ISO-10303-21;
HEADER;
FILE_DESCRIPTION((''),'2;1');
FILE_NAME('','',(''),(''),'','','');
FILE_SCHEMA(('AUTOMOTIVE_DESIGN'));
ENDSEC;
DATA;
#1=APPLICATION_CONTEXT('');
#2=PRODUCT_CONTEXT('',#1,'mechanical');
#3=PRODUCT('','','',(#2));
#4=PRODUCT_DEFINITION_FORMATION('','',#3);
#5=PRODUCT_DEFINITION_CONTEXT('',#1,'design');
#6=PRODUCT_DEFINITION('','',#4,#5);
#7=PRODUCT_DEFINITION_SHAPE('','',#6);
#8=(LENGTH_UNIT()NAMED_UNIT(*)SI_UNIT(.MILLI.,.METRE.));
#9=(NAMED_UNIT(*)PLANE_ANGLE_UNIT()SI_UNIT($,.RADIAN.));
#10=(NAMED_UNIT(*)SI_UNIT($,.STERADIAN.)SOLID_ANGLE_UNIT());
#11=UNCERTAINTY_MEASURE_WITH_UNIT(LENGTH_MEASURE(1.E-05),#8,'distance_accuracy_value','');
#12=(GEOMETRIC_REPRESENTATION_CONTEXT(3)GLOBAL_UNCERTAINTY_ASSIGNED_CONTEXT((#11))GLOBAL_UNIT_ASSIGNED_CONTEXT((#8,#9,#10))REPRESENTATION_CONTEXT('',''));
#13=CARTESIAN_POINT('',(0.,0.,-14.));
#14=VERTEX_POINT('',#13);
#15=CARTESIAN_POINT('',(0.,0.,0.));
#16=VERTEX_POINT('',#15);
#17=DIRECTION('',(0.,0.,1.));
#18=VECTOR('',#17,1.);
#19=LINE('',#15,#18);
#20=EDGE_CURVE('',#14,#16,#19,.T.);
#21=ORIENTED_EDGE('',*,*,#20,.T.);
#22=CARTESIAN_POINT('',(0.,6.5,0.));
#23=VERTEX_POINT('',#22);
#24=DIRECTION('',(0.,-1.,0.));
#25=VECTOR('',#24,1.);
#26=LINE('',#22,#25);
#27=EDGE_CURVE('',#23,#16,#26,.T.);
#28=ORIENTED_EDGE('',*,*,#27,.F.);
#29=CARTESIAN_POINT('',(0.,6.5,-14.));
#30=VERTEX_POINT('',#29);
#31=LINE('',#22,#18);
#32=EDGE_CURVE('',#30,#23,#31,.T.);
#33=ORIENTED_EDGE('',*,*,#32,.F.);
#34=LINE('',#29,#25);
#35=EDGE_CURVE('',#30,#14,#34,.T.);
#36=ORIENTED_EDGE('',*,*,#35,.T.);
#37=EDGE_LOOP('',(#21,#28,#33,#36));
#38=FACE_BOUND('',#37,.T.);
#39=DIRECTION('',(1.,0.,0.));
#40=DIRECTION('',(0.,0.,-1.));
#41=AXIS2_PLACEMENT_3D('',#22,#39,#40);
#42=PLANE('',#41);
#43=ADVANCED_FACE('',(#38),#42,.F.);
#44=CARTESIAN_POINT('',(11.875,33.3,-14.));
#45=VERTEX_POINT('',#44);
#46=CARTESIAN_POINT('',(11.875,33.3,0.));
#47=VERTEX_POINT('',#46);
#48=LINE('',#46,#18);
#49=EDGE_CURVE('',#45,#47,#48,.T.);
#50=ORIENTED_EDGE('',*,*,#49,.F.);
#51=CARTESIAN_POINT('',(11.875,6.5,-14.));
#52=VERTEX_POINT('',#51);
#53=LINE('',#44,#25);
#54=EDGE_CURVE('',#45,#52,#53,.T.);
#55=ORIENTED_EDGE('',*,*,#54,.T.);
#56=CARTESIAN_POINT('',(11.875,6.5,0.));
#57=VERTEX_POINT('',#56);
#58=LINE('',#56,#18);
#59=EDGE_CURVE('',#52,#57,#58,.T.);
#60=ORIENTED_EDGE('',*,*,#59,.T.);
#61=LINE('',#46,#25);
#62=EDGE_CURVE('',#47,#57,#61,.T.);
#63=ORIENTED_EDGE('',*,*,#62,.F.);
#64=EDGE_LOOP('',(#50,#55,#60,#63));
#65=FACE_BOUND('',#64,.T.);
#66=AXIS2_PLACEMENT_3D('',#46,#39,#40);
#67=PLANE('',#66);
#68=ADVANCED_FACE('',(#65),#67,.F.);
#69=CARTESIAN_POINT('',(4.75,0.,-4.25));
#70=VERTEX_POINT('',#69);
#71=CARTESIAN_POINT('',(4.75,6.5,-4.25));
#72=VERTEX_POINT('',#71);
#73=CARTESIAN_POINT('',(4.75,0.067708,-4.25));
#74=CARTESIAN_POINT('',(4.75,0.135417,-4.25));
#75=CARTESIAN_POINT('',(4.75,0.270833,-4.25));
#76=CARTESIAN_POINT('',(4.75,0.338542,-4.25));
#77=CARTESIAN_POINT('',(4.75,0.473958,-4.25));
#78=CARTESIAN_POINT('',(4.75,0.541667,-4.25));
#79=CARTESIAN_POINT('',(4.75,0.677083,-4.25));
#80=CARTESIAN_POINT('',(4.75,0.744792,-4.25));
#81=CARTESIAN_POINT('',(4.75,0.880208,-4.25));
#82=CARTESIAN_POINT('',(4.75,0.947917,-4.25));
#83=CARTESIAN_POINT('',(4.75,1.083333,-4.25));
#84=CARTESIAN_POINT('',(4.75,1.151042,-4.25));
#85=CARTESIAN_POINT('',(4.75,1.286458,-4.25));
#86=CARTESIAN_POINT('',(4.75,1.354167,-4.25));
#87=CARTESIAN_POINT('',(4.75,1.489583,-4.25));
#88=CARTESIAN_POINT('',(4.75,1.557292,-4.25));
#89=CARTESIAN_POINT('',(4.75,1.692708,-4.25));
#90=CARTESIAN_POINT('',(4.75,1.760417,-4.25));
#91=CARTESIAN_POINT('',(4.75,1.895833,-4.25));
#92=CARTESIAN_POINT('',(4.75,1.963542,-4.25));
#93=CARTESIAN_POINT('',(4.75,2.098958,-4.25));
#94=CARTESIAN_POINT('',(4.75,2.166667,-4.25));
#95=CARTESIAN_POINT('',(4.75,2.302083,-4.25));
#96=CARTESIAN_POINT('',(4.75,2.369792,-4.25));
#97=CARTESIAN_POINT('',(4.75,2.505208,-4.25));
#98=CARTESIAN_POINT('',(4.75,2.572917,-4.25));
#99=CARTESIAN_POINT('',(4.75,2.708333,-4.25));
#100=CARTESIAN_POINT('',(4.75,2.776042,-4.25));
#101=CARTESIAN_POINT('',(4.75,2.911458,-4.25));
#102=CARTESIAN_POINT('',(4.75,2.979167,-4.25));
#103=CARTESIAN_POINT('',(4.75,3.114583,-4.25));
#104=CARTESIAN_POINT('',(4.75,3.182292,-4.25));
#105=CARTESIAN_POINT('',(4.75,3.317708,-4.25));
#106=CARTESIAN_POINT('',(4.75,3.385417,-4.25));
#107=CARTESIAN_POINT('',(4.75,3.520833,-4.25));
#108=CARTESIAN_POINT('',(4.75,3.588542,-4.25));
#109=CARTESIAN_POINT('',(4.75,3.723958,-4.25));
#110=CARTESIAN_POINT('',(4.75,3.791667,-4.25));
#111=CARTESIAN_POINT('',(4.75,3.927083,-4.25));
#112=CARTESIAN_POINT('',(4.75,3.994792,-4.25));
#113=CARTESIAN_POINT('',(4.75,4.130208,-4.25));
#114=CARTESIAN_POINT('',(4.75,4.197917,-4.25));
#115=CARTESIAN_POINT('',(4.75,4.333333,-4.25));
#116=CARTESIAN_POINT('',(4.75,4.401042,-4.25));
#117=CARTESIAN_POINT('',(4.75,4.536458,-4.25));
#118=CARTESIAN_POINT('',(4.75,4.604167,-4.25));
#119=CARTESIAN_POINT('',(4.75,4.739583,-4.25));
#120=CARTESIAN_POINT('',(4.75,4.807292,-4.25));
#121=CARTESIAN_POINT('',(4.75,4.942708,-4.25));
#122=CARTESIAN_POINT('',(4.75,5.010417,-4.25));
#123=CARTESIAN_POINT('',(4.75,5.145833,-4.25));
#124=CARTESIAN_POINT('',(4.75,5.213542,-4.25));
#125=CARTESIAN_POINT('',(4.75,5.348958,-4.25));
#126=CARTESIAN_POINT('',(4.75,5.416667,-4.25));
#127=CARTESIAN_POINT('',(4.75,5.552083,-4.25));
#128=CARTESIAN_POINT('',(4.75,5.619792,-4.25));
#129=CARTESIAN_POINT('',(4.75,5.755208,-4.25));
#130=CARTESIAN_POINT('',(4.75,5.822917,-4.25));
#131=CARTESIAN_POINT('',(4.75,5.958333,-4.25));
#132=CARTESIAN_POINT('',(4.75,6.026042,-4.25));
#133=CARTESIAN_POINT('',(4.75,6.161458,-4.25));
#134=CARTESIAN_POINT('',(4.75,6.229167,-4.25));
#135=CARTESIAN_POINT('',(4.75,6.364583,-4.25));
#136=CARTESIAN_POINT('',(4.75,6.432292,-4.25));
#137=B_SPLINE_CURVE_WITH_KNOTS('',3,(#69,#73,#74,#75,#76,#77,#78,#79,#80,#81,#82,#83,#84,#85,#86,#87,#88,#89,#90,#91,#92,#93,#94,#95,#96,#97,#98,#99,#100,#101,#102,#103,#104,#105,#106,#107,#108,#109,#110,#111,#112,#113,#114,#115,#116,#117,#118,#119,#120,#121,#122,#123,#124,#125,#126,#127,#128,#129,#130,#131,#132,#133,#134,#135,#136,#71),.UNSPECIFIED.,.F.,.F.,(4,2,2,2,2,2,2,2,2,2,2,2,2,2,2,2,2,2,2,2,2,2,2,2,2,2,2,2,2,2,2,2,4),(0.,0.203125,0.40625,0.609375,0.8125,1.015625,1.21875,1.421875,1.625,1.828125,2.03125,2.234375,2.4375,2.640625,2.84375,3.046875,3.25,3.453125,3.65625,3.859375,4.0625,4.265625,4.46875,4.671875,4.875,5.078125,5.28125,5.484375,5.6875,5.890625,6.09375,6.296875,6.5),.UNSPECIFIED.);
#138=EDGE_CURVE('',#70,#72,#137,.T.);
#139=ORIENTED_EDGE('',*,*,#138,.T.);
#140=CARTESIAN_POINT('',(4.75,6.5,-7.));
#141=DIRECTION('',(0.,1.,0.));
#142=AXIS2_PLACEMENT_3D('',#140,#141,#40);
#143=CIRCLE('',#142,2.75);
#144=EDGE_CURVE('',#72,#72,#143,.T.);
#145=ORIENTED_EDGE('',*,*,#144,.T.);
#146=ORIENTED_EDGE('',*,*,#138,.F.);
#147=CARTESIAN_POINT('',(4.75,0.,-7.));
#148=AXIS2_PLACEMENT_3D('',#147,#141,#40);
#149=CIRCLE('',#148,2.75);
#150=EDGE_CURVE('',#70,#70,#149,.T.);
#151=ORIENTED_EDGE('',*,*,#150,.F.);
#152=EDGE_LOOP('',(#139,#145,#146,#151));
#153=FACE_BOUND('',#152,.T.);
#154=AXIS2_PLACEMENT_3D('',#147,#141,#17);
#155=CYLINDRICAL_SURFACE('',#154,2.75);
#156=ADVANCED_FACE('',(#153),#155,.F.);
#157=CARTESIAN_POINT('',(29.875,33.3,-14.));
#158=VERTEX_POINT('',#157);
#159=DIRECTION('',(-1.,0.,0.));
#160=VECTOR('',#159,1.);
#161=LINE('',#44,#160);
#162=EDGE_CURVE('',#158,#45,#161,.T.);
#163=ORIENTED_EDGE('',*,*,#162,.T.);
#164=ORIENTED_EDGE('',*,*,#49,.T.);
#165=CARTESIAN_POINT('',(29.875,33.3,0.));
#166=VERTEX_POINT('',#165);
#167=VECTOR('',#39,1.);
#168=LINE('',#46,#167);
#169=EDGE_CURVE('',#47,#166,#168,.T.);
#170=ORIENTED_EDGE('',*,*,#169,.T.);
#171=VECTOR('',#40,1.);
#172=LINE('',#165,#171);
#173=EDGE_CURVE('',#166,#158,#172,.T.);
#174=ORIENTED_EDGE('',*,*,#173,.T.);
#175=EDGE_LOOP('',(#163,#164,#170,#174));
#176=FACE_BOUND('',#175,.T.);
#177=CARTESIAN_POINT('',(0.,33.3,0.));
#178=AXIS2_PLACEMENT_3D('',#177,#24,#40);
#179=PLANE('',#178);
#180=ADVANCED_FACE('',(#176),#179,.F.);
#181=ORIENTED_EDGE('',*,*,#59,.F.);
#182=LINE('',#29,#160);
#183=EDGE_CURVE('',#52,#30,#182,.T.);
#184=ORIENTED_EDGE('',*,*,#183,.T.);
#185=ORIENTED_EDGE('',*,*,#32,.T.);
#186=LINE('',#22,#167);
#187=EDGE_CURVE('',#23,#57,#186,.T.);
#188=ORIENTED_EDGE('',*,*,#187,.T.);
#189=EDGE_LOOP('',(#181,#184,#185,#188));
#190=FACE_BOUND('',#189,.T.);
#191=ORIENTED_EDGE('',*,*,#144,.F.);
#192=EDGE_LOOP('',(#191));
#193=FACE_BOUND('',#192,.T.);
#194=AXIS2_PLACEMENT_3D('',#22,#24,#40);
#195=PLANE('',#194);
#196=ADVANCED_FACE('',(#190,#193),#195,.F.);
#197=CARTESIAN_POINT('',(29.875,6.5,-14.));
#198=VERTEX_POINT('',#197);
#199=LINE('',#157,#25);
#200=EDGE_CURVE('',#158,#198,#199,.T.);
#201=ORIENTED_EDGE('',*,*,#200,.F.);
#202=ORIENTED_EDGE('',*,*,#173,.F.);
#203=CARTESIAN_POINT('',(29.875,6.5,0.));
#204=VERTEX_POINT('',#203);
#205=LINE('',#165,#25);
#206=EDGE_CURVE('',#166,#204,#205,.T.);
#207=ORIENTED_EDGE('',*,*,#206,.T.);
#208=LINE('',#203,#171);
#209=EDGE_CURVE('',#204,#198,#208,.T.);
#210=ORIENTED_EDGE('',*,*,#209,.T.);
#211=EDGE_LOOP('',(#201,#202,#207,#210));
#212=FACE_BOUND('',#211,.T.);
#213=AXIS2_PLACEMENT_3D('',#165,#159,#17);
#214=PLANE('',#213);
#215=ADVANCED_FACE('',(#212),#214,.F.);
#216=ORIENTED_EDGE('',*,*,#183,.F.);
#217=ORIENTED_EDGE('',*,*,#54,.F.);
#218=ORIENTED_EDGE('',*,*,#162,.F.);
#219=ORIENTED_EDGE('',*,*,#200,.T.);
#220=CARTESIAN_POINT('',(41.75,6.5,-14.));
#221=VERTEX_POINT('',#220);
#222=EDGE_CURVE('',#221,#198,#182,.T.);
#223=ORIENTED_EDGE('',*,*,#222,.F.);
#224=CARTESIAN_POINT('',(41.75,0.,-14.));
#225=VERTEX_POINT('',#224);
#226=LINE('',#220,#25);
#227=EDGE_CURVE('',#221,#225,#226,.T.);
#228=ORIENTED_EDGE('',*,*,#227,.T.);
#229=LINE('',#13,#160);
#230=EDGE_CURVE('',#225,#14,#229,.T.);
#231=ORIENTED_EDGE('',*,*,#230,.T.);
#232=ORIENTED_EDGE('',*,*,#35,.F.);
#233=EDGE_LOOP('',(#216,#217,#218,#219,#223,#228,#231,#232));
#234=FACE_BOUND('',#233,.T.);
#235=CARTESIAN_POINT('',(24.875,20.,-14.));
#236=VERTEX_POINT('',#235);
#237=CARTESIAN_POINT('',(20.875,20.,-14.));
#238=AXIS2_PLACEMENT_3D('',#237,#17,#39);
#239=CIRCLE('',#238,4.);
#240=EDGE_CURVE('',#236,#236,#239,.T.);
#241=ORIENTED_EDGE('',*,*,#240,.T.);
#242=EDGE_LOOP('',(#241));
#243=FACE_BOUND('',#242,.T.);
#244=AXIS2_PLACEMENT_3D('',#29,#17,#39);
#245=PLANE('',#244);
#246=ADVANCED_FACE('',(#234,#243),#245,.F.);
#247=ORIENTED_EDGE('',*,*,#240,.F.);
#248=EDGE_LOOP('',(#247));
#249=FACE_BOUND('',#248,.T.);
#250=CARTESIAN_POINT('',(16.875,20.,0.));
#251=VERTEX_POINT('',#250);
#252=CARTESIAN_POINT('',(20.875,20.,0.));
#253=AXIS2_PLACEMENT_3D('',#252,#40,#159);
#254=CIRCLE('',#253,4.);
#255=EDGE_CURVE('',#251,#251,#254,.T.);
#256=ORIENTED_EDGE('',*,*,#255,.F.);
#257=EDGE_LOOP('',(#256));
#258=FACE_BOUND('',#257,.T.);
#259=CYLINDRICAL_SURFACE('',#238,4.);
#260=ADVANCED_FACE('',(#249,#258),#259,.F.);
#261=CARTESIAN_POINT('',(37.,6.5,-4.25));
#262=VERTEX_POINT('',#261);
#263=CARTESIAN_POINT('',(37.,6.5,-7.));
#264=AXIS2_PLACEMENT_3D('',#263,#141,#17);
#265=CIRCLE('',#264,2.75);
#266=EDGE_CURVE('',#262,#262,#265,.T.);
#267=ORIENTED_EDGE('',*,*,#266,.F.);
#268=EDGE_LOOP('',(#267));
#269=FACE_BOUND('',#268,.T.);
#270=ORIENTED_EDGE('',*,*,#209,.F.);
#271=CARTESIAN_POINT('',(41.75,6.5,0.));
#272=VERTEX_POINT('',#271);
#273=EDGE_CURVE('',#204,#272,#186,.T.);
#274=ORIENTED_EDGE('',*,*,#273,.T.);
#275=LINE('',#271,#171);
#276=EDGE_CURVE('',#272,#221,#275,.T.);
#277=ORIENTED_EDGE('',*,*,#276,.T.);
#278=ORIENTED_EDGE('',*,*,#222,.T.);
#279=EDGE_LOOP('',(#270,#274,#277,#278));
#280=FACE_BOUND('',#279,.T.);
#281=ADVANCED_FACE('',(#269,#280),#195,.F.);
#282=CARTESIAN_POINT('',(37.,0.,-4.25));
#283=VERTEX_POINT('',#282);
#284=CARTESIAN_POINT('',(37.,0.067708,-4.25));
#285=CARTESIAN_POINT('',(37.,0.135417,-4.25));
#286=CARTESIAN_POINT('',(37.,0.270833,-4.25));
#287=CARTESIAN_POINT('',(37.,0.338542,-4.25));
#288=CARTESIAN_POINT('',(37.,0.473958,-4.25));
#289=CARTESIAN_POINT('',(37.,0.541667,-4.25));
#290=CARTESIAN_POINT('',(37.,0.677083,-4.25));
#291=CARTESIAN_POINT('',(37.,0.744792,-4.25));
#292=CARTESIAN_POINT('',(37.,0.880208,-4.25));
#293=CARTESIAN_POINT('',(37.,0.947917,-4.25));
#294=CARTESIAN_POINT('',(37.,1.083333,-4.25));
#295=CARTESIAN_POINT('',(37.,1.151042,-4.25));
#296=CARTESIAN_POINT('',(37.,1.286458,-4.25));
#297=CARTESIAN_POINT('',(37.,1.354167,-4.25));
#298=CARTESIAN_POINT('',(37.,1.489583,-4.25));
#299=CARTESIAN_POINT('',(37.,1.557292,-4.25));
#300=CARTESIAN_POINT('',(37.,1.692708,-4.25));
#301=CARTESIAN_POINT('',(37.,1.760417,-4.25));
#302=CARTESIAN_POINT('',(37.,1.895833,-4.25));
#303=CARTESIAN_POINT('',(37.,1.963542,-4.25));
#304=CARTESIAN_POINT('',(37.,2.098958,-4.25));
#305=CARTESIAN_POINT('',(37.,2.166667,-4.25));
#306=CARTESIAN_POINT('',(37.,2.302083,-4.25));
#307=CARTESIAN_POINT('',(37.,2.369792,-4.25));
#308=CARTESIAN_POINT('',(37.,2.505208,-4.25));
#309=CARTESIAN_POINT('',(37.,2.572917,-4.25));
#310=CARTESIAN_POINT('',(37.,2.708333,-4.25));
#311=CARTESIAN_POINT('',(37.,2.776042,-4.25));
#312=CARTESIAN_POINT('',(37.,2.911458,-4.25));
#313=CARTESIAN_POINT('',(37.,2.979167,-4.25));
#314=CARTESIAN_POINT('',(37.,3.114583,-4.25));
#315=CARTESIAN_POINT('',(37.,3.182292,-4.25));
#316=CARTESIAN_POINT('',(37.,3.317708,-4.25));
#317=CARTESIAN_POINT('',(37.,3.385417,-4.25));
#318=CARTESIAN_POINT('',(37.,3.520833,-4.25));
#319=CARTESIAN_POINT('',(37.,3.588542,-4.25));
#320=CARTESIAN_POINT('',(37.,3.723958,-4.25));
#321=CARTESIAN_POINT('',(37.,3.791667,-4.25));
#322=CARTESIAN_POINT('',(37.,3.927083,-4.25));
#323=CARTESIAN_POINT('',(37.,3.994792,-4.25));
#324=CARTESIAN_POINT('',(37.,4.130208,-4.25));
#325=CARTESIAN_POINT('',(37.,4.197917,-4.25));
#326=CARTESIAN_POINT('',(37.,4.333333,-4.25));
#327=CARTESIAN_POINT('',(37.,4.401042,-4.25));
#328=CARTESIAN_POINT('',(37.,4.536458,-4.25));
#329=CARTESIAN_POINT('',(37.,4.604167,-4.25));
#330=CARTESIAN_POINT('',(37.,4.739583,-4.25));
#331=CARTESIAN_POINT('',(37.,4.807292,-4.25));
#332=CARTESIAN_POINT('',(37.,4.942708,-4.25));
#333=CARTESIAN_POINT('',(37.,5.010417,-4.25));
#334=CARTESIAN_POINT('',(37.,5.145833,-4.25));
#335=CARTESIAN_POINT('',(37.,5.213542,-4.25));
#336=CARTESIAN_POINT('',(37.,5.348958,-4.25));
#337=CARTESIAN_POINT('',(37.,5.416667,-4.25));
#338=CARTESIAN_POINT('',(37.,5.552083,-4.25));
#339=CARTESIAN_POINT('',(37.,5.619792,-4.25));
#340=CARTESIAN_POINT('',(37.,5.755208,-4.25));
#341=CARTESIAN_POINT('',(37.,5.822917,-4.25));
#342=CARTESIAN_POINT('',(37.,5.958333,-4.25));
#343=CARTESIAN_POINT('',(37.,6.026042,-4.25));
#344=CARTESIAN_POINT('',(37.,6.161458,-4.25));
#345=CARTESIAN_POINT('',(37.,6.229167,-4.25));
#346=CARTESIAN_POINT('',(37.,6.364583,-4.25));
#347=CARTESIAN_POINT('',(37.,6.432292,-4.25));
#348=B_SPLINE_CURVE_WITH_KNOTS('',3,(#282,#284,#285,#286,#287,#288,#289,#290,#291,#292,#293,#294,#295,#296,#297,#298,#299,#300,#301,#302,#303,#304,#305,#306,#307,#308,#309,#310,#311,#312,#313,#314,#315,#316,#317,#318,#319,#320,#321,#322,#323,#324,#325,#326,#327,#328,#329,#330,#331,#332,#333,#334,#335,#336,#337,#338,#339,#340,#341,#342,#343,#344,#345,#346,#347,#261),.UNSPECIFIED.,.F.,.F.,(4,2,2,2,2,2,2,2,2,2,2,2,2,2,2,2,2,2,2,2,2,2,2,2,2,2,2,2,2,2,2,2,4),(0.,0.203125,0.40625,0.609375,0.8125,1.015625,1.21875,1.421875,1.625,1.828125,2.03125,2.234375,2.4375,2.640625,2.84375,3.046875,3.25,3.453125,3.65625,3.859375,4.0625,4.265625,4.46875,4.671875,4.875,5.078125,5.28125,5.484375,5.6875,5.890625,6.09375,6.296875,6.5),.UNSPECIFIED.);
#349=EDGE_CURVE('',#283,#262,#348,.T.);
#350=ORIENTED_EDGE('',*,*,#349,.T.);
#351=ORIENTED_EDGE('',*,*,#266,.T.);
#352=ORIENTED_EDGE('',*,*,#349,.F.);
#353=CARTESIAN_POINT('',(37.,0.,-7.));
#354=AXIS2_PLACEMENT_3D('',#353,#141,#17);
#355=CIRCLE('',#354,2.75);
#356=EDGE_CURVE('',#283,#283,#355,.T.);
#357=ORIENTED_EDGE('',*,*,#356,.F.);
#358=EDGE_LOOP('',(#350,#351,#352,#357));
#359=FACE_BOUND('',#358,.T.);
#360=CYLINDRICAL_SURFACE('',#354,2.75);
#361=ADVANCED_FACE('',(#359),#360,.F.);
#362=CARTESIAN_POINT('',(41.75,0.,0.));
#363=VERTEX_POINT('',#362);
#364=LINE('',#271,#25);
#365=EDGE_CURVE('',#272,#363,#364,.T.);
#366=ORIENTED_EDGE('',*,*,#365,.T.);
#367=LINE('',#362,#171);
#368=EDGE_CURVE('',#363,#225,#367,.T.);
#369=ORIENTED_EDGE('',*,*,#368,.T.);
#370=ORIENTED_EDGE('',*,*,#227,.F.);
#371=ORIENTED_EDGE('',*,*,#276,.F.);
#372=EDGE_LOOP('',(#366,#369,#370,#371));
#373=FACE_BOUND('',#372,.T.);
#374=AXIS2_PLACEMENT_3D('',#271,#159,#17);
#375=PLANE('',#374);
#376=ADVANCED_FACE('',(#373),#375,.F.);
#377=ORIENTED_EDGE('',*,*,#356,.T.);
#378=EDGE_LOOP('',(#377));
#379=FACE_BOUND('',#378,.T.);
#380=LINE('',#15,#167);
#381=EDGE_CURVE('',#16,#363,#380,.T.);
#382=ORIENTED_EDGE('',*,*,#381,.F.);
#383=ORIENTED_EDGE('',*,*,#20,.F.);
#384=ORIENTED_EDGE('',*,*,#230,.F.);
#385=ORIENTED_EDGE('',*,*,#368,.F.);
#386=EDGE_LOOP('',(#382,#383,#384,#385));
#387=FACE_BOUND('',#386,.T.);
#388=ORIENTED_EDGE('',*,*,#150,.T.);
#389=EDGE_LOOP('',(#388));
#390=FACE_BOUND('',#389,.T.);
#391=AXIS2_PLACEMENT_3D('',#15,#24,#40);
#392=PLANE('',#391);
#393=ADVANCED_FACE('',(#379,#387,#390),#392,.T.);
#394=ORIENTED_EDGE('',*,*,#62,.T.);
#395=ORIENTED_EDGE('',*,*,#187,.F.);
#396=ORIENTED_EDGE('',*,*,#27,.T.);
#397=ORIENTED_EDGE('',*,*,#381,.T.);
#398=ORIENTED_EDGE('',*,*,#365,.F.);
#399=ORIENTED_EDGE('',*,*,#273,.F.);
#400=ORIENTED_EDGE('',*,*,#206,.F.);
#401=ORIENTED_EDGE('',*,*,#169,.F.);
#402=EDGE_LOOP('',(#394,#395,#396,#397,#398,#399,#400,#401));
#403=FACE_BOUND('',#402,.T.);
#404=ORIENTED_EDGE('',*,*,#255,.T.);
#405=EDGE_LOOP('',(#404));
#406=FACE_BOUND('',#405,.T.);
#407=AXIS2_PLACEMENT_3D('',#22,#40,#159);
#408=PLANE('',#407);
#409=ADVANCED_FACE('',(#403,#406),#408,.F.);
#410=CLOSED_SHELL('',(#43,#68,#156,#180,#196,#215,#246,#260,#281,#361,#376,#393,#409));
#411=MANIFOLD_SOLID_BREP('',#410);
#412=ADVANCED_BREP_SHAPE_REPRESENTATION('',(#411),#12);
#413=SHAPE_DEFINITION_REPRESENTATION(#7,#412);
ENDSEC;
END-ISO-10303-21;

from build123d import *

# Parameters (mm, degrees)
SKETCH1_W               = 41.75
SKETCH1_H               = 14
BOSS_EXTRUDE1_DEPTH     = 6.5
SKETCH2_W               = 18
SKETCH2_H               = 14
BOSS_EXTRUDE2_DEPTH     = 26.8
CUT_EXTRUDE1_DEPTH      = 56.20826478
CUT_EXTRUDE1_DEPTH_BACK = 56.20826478
SKETCH3_R               = 4
SKETCH4_R               = 2.75
CUT_EXTRUDE2_DEPTH      = 52.549030059


with BuildPart() as part:
    # Sketch1 → Boss-Extrude1 (new body)
    with BuildSketch(Plane(origin=(0, 0, 0), x_dir=(1, 0, 0), z_dir=(0, 1, 0))):
        with Locations((20.875, 7)):
            Rectangle(SKETCH1_W, SKETCH1_H)
    extrude(amount=BOSS_EXTRUDE1_DEPTH)

    # Sketch2 → Boss-Extrude2 (add)
    with BuildSketch(Plane(origin=(0, 6.5, 0), x_dir=(1, 0, 0), z_dir=(0, 1, 0))):
        with Locations((20.875, 7)):
            Rectangle(SKETCH2_W, SKETCH2_H)
    extrude(amount=BOSS_EXTRUDE2_DEPTH)

    # Sketch3 → Cut-Extrude1 (cut, two sides: drawn at the far end of the back side and taken through both)
    with BuildSketch(Plane.XY.offset(-CUT_EXTRUDE1_DEPTH_BACK)):
        with Locations((20.875, 20)):
            Circle(SKETCH3_R)
    extrude(amount=CUT_EXTRUDE1_DEPTH + CUT_EXTRUDE1_DEPTH_BACK, mode=Mode.SUBTRACT)

    # Sketch4 → Cut-Extrude2 (cut, through all)
    with BuildSketch(Plane(origin=(0, 6.5, 0), x_dir=(1, 0, 0), z_dir=(0, 1, 0))):
        with Locations(Location((37, 7, 0), (0, 0, 270))):
            Circle(SKETCH4_R)
        with Locations(Location((4.75, 7, 0), (0, 0, 270))):
            Circle(SKETCH4_R)
    extrude(amount=-CUT_EXTRUDE2_DEPTH, mode=Mode.SUBTRACT)


solid = part.part
